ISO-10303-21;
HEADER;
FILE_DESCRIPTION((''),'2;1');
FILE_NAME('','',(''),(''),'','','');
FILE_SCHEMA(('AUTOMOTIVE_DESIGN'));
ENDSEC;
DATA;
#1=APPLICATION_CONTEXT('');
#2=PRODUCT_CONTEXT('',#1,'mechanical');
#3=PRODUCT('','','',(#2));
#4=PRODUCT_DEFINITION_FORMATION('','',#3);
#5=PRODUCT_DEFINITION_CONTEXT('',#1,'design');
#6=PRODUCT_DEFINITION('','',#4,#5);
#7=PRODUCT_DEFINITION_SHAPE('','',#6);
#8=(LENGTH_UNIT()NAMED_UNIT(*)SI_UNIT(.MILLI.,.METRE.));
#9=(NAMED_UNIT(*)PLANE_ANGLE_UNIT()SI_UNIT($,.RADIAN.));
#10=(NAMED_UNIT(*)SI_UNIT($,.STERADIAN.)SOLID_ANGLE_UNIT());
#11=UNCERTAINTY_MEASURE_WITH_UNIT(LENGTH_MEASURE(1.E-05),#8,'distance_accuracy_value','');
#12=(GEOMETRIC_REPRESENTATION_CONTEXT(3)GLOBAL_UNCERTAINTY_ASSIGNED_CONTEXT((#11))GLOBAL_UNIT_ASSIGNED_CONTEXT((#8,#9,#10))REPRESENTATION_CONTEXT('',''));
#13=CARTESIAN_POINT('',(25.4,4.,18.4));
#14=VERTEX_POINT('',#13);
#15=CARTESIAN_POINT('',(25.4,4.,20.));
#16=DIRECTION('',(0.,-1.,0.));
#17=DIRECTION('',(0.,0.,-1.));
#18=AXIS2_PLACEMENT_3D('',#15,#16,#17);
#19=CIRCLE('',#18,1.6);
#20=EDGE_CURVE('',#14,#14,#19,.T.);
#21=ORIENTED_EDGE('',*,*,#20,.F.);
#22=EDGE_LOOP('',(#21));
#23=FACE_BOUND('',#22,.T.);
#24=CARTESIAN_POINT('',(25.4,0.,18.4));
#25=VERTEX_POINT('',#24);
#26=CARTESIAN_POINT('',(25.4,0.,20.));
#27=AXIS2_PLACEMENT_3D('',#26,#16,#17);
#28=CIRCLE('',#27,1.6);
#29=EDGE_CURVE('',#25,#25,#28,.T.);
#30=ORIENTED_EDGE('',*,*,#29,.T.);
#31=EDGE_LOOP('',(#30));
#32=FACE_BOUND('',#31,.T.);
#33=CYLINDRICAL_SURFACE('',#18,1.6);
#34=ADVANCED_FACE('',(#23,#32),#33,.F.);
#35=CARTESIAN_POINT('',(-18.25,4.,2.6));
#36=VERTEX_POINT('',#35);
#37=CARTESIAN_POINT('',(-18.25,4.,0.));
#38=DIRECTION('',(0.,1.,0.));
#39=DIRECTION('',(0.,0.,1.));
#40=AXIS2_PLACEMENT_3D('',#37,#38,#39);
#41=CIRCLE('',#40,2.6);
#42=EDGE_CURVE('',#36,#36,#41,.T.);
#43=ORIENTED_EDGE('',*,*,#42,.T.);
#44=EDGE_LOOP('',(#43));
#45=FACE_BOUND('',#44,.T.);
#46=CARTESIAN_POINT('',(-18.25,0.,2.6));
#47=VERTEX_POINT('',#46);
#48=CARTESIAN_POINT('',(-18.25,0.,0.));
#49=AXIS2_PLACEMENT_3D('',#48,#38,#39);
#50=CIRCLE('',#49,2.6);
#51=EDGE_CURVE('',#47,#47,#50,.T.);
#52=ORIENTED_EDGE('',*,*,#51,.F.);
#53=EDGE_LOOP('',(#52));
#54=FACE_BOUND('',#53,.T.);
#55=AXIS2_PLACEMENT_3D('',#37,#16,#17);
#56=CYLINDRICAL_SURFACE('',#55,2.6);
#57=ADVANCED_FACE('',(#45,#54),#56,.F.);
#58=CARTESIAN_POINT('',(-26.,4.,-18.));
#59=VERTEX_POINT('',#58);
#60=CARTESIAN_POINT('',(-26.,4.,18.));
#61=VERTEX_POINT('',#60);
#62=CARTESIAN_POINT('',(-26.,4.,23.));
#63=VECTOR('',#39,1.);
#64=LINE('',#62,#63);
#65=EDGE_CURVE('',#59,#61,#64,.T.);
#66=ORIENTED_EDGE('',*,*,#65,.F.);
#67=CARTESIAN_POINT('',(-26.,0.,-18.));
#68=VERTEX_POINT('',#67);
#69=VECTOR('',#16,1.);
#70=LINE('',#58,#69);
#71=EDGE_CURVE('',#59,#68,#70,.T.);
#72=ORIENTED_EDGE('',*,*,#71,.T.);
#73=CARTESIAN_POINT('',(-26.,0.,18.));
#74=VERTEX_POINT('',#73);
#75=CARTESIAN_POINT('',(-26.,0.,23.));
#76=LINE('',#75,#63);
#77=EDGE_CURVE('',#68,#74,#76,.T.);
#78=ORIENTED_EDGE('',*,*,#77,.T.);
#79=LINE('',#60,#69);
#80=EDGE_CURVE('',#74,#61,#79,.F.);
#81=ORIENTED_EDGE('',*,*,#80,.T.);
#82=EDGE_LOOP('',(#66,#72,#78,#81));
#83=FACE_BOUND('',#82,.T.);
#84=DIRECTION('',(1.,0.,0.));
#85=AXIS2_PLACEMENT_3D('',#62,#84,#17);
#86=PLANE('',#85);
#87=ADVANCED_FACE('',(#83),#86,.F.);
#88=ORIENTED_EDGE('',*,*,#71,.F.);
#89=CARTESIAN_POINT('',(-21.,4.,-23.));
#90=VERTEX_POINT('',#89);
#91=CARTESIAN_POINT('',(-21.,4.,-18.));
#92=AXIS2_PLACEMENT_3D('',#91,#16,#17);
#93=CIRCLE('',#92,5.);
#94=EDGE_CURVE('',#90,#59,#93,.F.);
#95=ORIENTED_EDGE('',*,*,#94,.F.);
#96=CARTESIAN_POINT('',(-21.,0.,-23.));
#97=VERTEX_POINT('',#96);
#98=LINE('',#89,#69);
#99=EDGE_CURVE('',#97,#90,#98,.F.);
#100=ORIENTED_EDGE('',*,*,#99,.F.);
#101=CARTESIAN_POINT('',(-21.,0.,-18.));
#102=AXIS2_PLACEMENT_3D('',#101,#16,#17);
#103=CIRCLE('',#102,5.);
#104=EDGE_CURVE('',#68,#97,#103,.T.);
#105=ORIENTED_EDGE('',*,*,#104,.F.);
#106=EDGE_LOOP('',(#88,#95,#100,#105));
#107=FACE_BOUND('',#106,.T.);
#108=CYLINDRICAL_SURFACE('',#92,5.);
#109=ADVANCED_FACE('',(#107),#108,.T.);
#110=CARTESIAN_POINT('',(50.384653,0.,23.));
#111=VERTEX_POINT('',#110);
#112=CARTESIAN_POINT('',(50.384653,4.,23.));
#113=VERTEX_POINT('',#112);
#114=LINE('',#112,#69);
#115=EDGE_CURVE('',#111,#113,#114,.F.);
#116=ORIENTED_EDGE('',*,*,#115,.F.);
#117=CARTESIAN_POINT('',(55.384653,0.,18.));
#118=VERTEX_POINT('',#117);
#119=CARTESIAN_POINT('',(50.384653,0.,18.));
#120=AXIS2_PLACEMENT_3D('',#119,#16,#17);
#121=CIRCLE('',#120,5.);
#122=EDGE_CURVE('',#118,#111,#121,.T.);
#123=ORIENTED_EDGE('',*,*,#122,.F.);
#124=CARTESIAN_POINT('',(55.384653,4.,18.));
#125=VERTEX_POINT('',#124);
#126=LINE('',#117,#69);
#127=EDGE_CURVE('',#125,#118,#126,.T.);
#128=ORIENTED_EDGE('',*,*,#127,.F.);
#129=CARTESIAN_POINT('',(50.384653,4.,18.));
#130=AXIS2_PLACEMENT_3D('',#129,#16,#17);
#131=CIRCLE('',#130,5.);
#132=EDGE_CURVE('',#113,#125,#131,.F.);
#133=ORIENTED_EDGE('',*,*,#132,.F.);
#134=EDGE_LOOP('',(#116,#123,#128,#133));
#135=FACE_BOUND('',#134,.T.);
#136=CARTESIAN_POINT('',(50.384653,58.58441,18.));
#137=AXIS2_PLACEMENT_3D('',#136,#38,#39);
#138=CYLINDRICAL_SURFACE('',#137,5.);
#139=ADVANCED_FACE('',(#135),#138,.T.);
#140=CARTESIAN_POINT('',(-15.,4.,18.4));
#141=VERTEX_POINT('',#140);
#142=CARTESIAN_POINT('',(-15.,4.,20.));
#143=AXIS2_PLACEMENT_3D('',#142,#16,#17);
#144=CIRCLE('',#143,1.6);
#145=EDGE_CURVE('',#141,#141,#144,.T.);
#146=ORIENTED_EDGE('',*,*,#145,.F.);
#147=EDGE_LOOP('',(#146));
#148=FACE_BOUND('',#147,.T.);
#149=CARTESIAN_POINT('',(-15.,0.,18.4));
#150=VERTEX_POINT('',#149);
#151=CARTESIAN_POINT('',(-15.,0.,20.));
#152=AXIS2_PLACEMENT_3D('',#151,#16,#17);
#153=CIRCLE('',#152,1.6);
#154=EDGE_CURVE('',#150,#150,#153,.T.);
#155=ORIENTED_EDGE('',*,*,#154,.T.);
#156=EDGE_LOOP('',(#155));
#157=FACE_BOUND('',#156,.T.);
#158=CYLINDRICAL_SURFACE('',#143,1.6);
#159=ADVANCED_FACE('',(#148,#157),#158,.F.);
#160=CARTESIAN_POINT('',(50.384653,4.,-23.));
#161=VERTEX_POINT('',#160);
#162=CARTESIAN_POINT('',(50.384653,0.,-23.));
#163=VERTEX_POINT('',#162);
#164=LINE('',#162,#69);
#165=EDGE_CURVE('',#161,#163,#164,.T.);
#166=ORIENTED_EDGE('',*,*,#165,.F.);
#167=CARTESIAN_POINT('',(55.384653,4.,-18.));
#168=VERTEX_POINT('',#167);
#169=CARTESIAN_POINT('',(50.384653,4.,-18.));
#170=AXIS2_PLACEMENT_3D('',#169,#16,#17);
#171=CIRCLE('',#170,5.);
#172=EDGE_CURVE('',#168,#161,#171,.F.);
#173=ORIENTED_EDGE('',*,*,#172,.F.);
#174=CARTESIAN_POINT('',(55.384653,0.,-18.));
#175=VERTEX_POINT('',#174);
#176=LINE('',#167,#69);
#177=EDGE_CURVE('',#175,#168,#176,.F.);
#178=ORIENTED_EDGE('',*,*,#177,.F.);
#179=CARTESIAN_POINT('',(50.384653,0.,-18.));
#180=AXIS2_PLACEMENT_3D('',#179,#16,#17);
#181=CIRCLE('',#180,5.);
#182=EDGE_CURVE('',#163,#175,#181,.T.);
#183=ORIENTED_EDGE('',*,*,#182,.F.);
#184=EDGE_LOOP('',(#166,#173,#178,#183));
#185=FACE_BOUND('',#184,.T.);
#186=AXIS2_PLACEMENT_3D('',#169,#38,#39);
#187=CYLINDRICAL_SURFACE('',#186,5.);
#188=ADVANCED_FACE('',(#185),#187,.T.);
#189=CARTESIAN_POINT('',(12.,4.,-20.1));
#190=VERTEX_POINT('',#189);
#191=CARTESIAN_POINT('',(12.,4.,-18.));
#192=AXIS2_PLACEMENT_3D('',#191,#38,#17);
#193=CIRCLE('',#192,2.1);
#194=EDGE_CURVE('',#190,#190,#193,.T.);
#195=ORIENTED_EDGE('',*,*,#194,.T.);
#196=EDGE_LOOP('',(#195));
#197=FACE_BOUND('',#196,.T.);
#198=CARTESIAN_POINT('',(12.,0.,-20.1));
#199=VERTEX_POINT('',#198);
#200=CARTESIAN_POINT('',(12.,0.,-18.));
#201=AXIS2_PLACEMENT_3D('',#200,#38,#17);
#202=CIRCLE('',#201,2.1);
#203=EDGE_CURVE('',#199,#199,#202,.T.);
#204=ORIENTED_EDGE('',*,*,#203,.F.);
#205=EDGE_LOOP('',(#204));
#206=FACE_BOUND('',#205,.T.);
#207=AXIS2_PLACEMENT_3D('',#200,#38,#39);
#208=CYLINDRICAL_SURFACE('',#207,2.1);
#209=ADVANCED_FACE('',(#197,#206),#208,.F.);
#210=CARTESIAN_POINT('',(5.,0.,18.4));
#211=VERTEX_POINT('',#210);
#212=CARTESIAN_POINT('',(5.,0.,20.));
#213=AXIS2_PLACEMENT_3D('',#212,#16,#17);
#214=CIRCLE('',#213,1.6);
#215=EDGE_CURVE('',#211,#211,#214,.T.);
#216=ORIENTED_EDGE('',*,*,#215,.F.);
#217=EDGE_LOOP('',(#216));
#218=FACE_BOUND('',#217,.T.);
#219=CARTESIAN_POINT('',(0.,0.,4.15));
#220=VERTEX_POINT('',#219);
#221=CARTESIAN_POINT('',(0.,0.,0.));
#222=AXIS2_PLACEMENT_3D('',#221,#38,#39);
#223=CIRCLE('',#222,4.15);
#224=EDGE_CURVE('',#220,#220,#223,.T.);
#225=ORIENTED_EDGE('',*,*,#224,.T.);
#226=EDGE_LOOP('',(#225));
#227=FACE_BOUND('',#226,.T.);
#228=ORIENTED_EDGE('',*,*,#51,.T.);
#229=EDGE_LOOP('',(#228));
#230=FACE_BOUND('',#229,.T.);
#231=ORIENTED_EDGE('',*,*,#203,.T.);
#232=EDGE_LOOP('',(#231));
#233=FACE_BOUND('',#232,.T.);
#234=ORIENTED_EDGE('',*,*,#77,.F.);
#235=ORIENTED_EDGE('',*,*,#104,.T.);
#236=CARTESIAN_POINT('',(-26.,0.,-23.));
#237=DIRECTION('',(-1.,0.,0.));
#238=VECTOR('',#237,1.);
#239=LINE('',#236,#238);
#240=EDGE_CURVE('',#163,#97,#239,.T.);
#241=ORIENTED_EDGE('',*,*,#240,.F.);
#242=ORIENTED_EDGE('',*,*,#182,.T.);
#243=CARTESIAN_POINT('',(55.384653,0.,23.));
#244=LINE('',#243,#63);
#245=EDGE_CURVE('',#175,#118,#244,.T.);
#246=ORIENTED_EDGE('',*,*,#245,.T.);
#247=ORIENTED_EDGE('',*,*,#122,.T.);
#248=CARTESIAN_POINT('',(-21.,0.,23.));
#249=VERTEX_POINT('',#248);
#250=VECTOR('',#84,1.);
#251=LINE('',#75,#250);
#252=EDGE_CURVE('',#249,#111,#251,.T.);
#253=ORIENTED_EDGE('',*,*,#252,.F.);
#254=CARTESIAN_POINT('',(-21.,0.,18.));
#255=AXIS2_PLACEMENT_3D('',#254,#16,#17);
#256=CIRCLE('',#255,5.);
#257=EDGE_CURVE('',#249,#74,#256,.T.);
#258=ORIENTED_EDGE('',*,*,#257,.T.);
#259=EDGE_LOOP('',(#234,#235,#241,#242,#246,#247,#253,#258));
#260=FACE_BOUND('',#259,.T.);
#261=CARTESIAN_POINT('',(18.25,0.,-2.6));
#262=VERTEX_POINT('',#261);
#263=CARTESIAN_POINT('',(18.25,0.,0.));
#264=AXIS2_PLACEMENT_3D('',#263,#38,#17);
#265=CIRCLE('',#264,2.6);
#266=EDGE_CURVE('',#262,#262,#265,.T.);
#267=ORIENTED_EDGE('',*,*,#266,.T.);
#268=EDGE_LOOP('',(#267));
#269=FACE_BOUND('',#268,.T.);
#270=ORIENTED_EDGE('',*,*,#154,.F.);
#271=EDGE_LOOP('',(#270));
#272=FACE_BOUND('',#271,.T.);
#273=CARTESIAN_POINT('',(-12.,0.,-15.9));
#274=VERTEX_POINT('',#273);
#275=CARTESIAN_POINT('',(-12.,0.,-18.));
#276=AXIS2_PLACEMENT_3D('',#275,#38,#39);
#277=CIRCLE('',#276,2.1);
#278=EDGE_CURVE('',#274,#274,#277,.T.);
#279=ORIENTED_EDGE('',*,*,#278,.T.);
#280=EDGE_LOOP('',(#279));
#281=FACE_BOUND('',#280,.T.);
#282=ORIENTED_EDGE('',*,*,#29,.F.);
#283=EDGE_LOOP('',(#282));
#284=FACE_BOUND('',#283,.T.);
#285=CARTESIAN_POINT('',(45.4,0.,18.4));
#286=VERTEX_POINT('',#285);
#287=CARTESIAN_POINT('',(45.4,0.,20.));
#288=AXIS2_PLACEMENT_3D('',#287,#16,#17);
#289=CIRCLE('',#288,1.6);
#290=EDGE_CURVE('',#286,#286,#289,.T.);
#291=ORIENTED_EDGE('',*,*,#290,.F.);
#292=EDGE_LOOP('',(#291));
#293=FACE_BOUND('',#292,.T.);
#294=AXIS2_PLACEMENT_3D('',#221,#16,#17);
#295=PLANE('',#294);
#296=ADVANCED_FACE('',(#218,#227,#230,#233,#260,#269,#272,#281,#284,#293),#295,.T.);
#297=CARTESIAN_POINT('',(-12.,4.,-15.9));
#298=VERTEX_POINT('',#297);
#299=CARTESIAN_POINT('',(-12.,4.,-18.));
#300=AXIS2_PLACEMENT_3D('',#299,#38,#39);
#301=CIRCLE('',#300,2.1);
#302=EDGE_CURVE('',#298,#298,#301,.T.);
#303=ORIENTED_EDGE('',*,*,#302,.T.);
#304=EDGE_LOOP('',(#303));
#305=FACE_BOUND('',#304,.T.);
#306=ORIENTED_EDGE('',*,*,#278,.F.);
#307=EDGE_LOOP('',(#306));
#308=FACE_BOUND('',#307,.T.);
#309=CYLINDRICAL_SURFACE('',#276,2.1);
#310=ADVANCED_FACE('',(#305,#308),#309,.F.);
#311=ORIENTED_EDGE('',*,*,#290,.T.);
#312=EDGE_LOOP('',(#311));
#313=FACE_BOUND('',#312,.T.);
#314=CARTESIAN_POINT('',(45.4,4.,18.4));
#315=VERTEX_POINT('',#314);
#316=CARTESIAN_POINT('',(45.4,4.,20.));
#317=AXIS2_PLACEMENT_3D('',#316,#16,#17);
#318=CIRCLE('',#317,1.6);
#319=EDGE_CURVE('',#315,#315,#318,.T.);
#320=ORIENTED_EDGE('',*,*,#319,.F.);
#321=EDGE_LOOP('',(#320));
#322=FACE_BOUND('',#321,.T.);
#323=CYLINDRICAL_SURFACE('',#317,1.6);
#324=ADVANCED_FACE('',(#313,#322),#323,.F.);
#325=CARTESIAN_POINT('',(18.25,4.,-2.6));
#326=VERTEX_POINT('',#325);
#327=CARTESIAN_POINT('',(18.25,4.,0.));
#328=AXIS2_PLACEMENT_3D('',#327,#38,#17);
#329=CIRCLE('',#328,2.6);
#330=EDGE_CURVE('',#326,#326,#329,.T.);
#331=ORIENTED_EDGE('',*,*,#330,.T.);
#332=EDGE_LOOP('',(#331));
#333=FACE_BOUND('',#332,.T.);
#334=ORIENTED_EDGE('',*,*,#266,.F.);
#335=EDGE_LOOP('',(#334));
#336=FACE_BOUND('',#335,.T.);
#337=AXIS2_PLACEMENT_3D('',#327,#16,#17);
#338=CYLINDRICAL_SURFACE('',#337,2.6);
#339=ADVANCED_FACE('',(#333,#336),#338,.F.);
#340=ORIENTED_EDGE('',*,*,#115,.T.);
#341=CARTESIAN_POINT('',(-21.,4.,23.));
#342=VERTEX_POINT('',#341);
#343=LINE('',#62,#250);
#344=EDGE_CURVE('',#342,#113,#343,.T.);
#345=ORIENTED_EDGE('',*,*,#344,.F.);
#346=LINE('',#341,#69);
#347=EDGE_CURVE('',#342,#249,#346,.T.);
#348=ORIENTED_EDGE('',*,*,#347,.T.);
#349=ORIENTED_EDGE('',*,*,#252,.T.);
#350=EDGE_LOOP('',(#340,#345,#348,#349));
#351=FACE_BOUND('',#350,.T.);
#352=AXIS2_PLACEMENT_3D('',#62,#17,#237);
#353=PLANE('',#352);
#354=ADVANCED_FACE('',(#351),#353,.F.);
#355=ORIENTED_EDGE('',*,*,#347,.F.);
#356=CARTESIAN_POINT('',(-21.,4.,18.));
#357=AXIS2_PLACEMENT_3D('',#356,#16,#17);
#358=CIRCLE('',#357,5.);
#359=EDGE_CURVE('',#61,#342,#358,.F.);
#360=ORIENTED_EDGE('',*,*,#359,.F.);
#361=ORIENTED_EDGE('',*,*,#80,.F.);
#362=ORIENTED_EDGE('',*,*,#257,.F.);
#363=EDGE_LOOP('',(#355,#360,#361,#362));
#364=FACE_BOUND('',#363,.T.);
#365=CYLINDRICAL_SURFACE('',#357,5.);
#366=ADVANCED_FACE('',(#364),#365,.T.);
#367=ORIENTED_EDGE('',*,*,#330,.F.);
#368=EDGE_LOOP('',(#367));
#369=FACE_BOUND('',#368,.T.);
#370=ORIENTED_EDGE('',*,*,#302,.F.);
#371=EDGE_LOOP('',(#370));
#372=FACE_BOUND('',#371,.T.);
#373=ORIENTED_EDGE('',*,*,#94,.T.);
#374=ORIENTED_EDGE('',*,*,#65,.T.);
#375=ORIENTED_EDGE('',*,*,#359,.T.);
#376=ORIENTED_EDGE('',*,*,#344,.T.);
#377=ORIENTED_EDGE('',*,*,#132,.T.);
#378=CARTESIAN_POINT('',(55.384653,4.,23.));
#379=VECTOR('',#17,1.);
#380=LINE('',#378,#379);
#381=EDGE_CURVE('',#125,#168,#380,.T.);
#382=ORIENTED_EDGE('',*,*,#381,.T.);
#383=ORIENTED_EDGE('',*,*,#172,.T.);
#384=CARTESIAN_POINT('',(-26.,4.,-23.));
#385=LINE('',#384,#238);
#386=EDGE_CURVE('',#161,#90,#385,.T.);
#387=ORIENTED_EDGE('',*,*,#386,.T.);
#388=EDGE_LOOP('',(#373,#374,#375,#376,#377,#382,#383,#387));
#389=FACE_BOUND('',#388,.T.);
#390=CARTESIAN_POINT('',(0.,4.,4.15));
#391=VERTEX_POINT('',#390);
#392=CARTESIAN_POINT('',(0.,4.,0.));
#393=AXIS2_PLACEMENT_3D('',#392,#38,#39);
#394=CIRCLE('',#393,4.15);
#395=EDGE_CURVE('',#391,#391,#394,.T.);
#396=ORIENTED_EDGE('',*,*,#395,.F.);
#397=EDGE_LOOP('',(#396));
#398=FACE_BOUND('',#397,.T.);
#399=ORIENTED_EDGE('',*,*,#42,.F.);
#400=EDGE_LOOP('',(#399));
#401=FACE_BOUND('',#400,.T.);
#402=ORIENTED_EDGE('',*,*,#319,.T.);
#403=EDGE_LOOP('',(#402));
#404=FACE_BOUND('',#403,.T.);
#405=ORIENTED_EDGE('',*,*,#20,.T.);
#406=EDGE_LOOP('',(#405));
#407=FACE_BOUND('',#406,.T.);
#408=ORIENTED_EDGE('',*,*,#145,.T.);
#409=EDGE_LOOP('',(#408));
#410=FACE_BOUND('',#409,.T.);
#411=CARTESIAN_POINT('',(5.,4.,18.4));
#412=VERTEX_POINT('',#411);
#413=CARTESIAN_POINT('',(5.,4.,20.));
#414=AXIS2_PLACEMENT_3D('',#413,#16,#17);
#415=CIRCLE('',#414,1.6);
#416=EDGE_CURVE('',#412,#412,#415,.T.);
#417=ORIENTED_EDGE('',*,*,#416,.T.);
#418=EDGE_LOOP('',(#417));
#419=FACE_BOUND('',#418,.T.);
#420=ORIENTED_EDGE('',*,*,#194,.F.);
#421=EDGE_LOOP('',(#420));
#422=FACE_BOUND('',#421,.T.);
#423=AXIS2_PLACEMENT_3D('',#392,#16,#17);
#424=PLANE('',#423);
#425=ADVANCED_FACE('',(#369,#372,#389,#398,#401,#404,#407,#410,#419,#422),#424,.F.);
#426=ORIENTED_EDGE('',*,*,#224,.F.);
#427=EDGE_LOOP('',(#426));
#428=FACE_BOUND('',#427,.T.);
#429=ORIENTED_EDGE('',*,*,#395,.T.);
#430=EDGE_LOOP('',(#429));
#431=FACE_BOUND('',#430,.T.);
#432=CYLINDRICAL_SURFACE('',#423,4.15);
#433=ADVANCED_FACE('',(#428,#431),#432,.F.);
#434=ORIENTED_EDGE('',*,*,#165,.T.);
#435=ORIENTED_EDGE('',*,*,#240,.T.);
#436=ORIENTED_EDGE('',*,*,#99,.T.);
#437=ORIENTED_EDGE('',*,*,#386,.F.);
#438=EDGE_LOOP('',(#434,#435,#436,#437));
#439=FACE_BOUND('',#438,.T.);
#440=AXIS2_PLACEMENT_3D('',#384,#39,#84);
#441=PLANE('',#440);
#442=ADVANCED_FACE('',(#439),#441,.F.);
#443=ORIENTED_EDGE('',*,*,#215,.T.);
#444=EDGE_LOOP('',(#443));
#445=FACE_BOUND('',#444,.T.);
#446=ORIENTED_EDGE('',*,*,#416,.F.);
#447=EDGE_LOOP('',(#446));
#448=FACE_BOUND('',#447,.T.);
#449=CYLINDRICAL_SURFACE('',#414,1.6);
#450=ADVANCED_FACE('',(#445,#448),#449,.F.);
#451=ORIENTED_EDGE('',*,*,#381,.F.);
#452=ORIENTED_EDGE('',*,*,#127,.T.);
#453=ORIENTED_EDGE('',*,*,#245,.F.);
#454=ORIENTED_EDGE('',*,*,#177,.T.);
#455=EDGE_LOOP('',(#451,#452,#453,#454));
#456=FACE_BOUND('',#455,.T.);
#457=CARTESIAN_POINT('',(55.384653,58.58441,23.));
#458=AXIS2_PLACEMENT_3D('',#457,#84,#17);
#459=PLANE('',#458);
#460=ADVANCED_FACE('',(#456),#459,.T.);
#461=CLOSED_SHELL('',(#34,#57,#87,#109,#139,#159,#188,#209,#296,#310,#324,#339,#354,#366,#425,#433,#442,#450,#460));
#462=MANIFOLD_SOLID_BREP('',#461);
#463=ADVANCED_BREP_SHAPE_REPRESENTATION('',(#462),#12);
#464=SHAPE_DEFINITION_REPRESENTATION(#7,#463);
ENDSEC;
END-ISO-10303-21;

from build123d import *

# Parameters (mm, degrees)
SKETCH_1_W            = 52
SKETCH_1_H            = 46
SKETCH_1_R            = 2.6
SKETCH_1_R_2          = 4.15
EXTRUDE_436_DEPTH     = 4
SKETCH_4_R            = 2.1
CUT_EXTRUDE_686_DEPTH = 5
SKETCH_6_R            = 2.1
EXTRUDE_1_DEPTH       = 4
SKETCH_7_R            = 1.2
CUT_EXTRUDE_1_DEPTH   = 5
SKETCH_8_W            = 29.384652785
SKETCH_8_H            = 46
EXTRUDE_2_DEPTH       = 4
FILLET_1_R            = 5
SKETCH_9_R            = 1.6
CUT_EXTRUDE_2_DEPTH   = 5


with BuildPart() as part:
    # 草图1 → Extrude 436 (new body)
    with BuildSketch(Plane(origin=(0, 0, 0), x_dir=(1, 0, 0), z_dir=(0, 1, 0))):
        Rectangle(SKETCH_1_W, SKETCH_1_H)
        with Locations((-18.25, 0)):
            Circle(SKETCH_1_R, mode=Mode.SUBTRACT)
        with Locations((18.25, 0)):
            Circle(SKETCH_1_R, mode=Mode.SUBTRACT)
        Circle(SKETCH_1_R_2, mode=Mode.SUBTRACT)
    extrude(amount=EXTRUDE_436_DEPTH)

    # 草图4 → Cut-Extrude 686 (cut, through all)
    with BuildSketch(Plane(origin=(0, 4, 0), x_dir=(1, 0, 0), z_dir=(0, 1, 0))):
        with Locations((-12, 18)):
            Circle(SKETCH_4_R)
        with Locations((12, 18)):
            Circle(SKETCH_4_R)
        with Locations((12, -18)):
            Circle(SKETCH_4_R)
        with Locations((-12, -18)):
            Circle(SKETCH_4_R)
    extrude(amount=-CUT_EXTRUDE_686_DEPTH, mode=Mode.SUBTRACT)

    # 草图6 → 凸台-拉伸1 (add)
    with BuildSketch(Plane(origin=(0, 4, 0), x_dir=(1, 0, 0), z_dir=(0, 1, 0))):
        with Locations((-12, -18)):
            Circle(SKETCH_6_R)
        with Locations((12, -18)):
            Circle(SKETCH_6_R)
    extrude(amount=-EXTRUDE_1_DEPTH)

    # 草图7 → 切除-拉伸1 (cut, through all)
    with BuildSketch(Plane(origin=(0, 4, 0), x_dir=(1, 0, 0), z_dir=(0, 1, 0))):
        with Locations((5, -20)):
            Circle(SKETCH_7_R)
        with Locations((-15, -20)):
            Circle(SKETCH_7_R)
    extrude(amount=-CUT_EXTRUDE_1_DEPTH, mode=Mode.SUBTRACT)

    # 草图8 → 凸台-拉伸2 (add)
    with BuildSketch(Plane.XZ):
        with Locations((40.692326393, 0)):
            Rectangle(SKETCH_8_W, SKETCH_8_H)
    extrude(amount=-EXTRUDE_2_DEPTH)

    # 圆角1
    fillet_1_edges = [part.edges().sort_by_distance(p)[0] for p in [
        (55.384652785, 2, 23),
        (55.384652785, 2, -23),
        (-26, 2, 23),
        (-26, 2, -23),
    ]]
    fillet(fillet_1_edges, radius=FILLET_1_R)

    # 草图9 → 切除-拉伸2 (cut, through all)
    with BuildSketch(Plane.XZ):
        with Locations((-15, 20)):
            Circle(SKETCH_9_R)
        with Locations((5, 20)):
            Circle(SKETCH_9_R)
        with Locations((25.4, 20)):
            Circle(SKETCH_9_R)
        with Locations((45.4, 20)):
            Circle(SKETCH_9_R)
    extrude(amount=-CUT_EXTRUDE_2_DEPTH, mode=Mode.SUBTRACT)


solid = part.part
